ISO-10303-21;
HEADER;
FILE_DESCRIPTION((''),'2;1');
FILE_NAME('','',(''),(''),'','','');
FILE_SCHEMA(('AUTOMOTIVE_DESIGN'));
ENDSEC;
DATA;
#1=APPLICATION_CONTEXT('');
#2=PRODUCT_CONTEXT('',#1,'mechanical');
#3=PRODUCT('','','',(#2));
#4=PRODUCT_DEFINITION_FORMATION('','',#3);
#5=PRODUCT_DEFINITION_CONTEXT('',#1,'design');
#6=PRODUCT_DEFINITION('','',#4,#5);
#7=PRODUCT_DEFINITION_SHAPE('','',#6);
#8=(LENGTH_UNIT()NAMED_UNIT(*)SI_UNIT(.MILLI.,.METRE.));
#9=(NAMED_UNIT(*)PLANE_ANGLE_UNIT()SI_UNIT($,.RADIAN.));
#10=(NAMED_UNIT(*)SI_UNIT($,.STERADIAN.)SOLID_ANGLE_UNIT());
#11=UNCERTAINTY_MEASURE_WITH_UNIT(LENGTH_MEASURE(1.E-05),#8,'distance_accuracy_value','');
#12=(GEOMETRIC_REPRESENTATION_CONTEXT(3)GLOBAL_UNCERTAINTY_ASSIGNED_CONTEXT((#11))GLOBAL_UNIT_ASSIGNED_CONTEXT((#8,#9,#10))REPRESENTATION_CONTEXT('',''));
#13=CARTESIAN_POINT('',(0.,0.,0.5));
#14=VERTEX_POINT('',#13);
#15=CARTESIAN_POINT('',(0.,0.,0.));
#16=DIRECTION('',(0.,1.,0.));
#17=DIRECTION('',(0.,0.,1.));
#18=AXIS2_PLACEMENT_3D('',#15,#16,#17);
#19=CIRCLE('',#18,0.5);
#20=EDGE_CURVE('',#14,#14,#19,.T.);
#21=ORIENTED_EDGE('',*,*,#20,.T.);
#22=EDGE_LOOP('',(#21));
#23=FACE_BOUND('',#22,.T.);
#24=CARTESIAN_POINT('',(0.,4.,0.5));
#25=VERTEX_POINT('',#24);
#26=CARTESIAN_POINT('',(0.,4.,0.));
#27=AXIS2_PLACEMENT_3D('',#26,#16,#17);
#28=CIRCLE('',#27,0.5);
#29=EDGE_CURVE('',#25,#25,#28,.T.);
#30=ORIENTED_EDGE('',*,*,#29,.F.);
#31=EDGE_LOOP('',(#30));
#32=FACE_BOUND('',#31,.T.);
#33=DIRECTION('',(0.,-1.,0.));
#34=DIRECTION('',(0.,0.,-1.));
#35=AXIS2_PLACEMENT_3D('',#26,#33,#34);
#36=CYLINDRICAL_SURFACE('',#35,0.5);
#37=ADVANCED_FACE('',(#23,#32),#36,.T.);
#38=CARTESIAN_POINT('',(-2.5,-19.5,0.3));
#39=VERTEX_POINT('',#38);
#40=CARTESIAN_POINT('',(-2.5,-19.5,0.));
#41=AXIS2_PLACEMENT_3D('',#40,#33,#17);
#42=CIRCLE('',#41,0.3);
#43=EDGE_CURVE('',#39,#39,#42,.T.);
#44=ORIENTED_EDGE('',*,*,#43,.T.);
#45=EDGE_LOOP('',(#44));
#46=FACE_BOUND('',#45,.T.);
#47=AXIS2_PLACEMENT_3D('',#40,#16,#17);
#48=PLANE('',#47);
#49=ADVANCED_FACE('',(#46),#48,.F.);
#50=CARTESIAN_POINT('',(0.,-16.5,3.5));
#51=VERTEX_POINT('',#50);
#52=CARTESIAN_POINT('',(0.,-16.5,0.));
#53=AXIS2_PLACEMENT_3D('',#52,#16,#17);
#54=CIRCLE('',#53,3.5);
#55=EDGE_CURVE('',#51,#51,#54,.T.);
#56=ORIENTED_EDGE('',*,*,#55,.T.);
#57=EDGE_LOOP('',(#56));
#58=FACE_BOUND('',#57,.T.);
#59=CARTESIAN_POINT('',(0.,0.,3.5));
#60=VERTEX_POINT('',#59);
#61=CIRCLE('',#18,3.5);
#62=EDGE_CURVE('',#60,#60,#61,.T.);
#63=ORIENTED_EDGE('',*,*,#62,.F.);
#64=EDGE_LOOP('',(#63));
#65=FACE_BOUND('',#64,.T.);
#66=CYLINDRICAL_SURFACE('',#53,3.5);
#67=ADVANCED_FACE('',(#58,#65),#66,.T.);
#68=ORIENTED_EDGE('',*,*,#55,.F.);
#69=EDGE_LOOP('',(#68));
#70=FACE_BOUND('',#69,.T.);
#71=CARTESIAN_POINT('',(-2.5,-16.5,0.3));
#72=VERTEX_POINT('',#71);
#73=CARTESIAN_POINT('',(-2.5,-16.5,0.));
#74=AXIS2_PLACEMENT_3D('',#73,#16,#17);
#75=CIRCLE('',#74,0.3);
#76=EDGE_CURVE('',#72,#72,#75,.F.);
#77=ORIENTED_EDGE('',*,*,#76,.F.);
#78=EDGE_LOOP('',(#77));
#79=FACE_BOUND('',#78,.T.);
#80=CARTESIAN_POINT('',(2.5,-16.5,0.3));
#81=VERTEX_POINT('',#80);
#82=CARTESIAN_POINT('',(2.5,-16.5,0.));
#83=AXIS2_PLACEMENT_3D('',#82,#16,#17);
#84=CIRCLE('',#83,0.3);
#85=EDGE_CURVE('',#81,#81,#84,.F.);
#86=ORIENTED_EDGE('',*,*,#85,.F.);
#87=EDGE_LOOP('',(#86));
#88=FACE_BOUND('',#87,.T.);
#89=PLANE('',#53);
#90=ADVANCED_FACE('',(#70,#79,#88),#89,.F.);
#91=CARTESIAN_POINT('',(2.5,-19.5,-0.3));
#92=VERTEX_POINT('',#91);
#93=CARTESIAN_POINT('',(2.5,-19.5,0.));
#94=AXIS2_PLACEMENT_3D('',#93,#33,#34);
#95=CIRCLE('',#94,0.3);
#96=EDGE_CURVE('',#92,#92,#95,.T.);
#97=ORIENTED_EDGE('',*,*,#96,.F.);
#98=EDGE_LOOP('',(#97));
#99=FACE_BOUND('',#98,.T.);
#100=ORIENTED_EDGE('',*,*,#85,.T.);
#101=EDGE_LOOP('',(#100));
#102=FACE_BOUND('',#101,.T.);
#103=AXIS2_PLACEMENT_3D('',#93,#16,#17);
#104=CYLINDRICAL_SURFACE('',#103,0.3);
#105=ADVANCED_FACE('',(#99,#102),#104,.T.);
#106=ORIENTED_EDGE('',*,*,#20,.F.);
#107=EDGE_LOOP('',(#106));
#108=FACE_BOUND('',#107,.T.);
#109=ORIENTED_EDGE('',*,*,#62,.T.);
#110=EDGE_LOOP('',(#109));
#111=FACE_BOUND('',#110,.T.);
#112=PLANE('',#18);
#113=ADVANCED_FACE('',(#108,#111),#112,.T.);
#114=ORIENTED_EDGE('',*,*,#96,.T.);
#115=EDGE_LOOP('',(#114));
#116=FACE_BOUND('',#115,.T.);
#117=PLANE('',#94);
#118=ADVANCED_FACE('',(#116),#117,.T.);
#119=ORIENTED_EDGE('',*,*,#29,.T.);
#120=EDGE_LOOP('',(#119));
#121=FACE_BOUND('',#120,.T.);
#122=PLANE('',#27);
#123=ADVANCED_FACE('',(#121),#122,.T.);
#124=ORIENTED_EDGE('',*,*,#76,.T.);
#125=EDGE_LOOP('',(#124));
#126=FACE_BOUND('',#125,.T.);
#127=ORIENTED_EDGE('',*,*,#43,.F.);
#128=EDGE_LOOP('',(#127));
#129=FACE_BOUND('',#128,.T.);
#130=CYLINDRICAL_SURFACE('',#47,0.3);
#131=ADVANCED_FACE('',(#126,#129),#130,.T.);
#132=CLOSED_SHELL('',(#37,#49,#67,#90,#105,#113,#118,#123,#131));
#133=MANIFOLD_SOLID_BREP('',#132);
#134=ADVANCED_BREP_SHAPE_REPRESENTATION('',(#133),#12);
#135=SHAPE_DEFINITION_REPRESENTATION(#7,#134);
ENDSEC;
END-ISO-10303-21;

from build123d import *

# Parameters (mm, degrees)
SKETCH1_R           = 3.5
BOSS_EXTRUDE1_DEPTH = 16.5
SKETCH2_R           = 0.5
BOSS_EXTRUDE2_DEPTH = 4
SKETCH3_R           = 0.3
BOSS_EXTRUDE3_DEPTH = 3


with BuildPart() as part:
    # Sketch1 → Boss-Extrude1 (new body)
    with BuildSketch(Plane(origin=(0, 0, 0), x_dir=(1, 0, 0), z_dir=(0, 1, 0))):
        Circle(SKETCH1_R)
    extrude(amount=-BOSS_EXTRUDE1_DEPTH)

    # Sketch2 → Boss-Extrude2 (add)
    with BuildSketch(Plane(origin=(0, 0, 0), x_dir=(1, 0, 0), z_dir=(0, 1, 0))):
        Circle(SKETCH2_R)
    extrude(amount=BOSS_EXTRUDE2_DEPTH)

    # Sketch3 → Boss-Extrude3 (add)
    with BuildSketch(Plane.XZ.offset(16.5)):
        with Locations((2.5, 0)):
            Circle(SKETCH3_R)
        with Locations((-2.5, 0)):
            Circle(SKETCH3_R)
    extrude(amount=BOSS_EXTRUDE3_DEPTH)


solid = part.part
